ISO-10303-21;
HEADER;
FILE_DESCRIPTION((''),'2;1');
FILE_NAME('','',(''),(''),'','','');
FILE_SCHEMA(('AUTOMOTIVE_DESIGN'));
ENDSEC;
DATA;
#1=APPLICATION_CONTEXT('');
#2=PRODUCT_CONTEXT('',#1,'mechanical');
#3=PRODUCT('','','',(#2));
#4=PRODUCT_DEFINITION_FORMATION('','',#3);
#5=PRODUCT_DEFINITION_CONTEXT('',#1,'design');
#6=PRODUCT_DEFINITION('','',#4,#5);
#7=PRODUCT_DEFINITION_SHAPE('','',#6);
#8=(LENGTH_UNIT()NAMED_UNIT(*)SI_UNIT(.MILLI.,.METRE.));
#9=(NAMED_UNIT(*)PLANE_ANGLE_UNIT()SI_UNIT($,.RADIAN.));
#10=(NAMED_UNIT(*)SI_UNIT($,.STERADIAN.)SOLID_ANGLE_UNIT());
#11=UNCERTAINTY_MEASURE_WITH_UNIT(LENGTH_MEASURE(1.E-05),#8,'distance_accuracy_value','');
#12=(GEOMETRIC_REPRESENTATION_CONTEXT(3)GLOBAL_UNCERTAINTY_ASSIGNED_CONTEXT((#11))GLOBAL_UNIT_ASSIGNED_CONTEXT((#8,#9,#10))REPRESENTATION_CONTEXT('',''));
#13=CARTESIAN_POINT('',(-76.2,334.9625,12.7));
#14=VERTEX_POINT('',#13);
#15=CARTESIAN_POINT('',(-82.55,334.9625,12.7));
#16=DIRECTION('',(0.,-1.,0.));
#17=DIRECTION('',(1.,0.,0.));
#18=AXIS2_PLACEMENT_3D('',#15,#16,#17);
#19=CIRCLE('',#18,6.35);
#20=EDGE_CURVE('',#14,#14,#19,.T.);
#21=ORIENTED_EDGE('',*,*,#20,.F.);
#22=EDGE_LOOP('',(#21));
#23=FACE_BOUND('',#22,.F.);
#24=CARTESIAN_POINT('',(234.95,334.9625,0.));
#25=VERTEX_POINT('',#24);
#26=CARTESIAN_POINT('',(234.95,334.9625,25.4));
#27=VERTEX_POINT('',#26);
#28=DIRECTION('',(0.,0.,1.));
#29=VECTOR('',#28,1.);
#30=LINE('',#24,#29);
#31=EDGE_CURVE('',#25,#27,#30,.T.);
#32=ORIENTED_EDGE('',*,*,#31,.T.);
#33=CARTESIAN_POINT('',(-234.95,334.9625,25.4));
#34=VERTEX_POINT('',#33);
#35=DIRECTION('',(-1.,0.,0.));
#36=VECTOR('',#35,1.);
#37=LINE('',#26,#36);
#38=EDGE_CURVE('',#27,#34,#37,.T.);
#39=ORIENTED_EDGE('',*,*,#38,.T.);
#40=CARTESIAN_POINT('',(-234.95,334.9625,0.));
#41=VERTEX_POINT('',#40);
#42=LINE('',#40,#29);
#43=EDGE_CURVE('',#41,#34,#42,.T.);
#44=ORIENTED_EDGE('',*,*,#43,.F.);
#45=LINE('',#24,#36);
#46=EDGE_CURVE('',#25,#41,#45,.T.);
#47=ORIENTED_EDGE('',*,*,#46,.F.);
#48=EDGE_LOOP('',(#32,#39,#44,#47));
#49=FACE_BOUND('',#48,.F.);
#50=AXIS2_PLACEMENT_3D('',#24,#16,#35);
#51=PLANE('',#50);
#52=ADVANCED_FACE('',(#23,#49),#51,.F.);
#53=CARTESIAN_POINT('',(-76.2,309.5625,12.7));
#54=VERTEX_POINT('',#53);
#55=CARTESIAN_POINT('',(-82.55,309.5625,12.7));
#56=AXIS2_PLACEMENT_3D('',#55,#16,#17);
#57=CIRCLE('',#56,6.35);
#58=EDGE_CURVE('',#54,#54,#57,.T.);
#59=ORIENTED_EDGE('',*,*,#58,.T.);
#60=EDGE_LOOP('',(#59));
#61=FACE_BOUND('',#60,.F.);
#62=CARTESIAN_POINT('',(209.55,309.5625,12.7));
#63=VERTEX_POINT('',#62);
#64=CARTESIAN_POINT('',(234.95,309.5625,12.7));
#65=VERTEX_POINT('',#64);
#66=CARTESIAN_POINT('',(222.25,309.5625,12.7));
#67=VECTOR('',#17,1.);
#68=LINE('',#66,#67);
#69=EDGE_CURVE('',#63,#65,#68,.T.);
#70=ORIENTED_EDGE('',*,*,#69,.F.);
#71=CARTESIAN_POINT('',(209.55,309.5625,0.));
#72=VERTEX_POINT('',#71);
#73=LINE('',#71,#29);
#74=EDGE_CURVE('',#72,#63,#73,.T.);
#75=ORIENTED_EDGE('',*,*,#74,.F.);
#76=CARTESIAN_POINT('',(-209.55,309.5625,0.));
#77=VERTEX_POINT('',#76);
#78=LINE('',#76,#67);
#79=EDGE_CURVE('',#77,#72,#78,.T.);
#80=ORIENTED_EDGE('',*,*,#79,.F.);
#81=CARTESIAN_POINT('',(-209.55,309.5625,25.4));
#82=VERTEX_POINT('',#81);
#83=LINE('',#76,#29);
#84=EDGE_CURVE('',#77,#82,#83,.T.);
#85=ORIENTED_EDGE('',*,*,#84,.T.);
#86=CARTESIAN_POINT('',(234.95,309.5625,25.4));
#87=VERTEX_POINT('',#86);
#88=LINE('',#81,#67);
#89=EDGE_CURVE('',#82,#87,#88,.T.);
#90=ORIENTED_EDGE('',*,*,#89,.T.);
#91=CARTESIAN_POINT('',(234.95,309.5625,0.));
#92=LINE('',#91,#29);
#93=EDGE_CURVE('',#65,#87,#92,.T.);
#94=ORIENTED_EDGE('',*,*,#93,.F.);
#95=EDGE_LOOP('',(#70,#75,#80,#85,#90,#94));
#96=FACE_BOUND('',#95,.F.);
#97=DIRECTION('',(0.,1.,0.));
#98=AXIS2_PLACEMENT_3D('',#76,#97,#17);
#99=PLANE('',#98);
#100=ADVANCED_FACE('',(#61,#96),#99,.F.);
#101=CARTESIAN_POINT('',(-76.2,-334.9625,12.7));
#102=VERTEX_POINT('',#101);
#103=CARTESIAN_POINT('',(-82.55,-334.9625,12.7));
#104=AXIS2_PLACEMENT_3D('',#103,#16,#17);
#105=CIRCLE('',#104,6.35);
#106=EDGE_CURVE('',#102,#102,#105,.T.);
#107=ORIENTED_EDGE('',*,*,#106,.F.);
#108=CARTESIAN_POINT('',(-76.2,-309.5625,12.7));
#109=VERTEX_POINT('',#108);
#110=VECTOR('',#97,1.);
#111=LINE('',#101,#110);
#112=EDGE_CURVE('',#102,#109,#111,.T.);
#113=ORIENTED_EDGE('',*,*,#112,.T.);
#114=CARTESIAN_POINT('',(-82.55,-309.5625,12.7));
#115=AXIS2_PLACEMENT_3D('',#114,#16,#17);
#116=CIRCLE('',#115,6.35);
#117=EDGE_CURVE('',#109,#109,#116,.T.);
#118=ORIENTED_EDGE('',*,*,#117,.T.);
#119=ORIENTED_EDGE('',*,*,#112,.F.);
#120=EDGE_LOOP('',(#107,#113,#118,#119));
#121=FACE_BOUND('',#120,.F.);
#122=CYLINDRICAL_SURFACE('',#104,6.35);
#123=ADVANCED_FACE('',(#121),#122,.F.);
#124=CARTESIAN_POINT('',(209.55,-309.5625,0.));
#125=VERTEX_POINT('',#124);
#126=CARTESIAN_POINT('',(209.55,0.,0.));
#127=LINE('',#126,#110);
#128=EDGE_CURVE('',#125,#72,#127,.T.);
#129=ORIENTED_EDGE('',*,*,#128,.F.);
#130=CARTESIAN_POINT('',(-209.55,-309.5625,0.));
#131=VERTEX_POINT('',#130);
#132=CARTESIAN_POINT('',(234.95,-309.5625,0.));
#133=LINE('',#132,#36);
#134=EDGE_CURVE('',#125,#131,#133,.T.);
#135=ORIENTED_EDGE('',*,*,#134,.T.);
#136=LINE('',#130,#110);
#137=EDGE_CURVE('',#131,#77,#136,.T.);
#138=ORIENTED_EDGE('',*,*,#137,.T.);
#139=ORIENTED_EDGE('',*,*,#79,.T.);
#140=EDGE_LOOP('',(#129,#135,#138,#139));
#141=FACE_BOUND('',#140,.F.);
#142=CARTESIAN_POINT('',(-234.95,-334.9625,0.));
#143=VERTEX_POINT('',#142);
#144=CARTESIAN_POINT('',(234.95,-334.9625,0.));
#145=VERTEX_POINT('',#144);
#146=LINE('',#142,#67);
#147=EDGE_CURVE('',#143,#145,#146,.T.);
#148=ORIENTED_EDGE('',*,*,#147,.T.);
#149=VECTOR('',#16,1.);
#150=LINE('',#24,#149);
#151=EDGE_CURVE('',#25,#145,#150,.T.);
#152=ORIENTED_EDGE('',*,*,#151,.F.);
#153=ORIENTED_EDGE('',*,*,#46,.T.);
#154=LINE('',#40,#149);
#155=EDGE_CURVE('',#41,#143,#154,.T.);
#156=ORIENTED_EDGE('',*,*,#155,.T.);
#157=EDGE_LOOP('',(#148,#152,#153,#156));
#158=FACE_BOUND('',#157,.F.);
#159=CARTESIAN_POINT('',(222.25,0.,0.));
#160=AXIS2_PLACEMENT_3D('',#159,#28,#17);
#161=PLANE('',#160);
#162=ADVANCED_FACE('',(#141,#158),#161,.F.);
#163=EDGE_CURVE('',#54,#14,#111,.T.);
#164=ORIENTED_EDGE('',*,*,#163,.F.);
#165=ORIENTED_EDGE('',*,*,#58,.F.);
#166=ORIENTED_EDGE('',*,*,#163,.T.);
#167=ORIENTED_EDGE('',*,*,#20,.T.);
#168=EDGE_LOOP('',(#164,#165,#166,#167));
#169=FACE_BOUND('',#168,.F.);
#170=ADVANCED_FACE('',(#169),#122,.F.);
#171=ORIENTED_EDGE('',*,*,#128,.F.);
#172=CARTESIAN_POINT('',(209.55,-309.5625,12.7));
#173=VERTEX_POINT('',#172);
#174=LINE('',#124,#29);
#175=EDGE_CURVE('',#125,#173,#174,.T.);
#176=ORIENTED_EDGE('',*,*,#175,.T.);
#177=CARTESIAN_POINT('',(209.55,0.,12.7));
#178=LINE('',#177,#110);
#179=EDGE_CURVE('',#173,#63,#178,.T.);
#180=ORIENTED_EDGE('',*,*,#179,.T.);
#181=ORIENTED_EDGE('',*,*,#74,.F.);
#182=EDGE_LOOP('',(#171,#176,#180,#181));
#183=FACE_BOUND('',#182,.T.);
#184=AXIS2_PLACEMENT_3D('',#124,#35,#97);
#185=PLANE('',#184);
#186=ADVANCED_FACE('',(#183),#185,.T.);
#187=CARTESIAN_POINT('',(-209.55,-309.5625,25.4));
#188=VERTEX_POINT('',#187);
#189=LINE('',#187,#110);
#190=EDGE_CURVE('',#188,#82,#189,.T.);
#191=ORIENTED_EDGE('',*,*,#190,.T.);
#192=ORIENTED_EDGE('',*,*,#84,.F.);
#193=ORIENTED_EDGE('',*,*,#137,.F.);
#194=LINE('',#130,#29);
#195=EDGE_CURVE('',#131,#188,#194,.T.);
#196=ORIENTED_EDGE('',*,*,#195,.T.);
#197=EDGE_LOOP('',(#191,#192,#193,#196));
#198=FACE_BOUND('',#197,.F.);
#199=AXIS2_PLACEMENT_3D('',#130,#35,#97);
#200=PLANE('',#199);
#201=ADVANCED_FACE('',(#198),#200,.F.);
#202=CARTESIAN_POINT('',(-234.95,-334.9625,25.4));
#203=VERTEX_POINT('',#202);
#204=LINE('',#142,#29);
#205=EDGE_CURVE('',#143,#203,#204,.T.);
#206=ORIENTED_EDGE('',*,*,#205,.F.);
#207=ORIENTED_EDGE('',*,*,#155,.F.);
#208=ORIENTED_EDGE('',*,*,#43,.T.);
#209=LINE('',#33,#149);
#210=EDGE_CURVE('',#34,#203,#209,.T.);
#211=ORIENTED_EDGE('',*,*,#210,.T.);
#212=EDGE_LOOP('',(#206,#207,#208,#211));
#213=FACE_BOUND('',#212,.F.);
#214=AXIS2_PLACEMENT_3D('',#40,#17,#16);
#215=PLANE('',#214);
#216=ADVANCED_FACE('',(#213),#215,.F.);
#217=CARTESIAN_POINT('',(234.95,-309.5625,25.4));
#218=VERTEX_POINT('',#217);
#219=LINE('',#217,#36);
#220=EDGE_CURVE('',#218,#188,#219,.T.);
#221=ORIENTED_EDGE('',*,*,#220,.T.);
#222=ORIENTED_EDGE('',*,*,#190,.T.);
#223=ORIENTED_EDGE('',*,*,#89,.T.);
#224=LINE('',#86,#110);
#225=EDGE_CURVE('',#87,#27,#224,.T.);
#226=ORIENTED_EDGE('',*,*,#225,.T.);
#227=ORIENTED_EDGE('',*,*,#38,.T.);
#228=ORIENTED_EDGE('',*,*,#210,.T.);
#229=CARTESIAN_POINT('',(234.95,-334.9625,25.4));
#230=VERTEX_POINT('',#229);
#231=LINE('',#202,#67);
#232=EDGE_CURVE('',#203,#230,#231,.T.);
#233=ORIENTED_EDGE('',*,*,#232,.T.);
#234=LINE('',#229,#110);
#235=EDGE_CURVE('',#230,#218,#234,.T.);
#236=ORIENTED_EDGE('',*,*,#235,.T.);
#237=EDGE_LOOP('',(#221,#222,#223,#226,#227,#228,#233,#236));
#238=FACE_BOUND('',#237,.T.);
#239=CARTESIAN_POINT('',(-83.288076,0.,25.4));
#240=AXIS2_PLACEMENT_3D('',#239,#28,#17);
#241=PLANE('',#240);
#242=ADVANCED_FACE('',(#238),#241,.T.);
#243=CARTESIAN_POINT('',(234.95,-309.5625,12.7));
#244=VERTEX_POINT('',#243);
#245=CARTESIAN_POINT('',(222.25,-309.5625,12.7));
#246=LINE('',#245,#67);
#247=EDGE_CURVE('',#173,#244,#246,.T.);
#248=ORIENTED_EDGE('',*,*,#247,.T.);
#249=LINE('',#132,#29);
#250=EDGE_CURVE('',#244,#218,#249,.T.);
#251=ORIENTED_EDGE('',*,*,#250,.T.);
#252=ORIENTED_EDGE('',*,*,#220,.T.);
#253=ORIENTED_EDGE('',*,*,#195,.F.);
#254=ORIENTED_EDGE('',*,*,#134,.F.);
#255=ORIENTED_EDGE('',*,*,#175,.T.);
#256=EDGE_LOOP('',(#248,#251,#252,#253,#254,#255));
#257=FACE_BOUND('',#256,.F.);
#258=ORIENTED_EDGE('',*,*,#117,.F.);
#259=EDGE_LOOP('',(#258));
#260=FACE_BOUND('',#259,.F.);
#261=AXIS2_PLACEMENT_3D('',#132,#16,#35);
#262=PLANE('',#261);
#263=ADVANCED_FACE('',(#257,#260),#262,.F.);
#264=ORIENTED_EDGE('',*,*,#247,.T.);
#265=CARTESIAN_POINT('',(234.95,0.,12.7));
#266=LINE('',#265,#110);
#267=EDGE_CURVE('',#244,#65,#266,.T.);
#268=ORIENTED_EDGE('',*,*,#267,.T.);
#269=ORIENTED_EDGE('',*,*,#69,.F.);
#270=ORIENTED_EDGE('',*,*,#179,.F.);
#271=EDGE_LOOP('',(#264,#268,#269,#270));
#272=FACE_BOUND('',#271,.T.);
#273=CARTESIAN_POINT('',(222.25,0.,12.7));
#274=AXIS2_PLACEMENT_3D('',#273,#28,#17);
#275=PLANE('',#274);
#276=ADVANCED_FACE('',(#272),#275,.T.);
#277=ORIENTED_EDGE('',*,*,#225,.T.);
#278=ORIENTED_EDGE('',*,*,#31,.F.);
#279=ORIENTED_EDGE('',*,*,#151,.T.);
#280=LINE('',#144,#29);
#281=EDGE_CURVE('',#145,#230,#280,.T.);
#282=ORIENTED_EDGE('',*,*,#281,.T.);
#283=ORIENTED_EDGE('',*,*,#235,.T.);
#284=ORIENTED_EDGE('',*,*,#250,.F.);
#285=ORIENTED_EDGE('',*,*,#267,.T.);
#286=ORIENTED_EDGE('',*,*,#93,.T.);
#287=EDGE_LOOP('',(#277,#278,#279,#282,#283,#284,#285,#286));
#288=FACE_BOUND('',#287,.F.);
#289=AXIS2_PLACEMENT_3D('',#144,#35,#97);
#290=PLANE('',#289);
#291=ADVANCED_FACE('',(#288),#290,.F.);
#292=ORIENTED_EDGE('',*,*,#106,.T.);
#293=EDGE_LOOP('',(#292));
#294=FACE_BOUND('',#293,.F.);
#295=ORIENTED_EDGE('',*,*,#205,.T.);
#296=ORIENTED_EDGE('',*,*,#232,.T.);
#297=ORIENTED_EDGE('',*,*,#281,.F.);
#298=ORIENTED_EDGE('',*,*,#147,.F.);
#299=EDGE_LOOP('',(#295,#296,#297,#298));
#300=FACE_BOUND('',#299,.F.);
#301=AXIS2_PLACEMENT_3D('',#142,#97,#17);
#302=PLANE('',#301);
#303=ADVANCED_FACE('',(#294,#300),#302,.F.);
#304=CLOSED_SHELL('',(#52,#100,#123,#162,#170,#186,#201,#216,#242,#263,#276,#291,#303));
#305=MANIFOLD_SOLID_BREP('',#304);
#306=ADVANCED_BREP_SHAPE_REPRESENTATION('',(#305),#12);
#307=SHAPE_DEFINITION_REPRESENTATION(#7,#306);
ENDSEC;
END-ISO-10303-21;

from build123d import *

# Parameters (mm, degrees)
F1_DEPTH = 25.4
F0_W     = 25.4
F0_H     = 619.125
F2_DEPTH = 12.7
F3_R     = 6.35
F4_DEPTH = 762


with BuildPart() as f1:
    # F0 (on Top) → F1 (new body)
    with BuildSketch(Plane.XY):
        Polygon((234.95, 334.9625), (-234.95, 334.9625), (-234.95, -334.9625), (234.95, -334.9625), (234.95, -309.5625), (209.55, -309.5625), (-209.55, -309.5625), (-209.55, 309.5625), (209.55, 309.5625), (234.95, 309.5625), align=None)
    extrude(amount=F1_DEPTH)

    # F0 (on Top) → F2 (join)
    with BuildSketch(Plane.XY):
        with Locations((222.25, 0)):
            Rectangle(F0_W, F0_H)
    extrude(amount=F2_DEPTH)

    # F3 (on face) → F4 (cut)
    with BuildSketch(Plane.XZ.offset(334.9625)):
        with Locations((-82.55, 12.7)):
            Circle(F3_R)
    extrude(amount=-F4_DEPTH, mode=Mode.SUBTRACT)


solid = f1.part
